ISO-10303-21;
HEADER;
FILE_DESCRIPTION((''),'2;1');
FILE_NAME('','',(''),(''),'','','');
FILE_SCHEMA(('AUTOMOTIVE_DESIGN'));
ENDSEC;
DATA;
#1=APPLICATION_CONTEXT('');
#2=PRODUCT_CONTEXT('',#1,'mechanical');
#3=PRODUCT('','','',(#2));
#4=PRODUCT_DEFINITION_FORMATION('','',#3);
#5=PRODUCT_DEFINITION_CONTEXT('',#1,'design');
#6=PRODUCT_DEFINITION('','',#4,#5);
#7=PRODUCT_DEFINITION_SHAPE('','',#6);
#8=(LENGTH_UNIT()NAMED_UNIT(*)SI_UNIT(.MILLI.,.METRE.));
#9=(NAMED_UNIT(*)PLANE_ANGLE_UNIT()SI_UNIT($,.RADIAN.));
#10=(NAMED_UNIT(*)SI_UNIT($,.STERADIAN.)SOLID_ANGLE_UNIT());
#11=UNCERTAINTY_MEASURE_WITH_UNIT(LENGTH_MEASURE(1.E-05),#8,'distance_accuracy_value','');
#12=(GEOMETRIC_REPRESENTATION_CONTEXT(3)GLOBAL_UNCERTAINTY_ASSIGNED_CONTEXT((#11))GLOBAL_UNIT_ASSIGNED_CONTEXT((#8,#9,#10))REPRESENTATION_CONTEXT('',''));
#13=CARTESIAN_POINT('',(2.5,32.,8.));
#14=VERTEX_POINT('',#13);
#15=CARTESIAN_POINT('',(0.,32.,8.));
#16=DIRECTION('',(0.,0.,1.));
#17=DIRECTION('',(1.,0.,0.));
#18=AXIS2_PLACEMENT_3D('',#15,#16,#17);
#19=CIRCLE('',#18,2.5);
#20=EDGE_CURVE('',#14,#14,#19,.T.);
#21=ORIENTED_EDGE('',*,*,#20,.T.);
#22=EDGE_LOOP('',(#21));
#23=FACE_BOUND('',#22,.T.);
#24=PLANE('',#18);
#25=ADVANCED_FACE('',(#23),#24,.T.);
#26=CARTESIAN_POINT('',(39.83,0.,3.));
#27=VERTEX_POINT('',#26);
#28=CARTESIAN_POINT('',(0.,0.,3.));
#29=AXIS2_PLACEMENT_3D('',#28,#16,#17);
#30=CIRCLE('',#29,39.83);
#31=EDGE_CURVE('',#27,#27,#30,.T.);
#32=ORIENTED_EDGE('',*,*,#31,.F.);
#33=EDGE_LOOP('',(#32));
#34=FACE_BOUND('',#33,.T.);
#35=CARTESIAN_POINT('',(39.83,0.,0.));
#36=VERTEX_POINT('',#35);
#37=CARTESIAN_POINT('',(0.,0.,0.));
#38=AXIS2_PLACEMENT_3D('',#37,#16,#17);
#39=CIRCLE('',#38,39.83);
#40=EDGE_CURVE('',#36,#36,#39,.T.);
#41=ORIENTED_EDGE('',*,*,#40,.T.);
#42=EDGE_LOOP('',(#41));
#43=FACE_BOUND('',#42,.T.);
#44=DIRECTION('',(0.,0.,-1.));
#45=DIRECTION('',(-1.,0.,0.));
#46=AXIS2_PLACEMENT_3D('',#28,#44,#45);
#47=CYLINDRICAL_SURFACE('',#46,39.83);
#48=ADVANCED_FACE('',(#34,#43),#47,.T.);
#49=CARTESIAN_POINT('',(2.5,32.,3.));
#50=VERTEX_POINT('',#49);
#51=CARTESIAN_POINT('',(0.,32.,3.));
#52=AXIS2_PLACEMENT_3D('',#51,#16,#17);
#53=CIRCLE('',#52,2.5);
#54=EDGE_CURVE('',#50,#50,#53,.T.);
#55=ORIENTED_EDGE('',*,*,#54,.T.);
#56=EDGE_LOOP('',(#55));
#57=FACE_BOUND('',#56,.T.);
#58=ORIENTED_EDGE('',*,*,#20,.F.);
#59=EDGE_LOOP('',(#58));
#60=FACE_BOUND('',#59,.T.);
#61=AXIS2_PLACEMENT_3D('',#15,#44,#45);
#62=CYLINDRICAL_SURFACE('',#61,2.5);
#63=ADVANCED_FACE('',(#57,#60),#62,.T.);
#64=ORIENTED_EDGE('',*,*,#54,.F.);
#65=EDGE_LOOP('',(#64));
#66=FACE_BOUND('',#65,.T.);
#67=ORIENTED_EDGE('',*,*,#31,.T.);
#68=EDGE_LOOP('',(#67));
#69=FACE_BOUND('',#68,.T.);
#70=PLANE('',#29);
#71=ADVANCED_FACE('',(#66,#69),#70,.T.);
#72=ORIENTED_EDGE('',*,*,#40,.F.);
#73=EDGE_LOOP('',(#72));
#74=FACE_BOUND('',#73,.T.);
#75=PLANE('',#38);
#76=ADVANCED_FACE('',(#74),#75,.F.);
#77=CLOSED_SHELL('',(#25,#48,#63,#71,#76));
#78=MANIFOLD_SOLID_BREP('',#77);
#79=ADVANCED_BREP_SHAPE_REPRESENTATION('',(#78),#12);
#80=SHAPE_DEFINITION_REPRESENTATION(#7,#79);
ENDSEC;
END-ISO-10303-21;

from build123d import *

# Parameters (mm, degrees)
SKETCH_1_R      = 39.83
EXTRUDE_1_DEPTH = 3
SKETCH_2_R      = 2.5
EXTRUDE_2_DEPTH = 5


with BuildPart() as part:
    # 草图1 → 凸台-拉伸1 (new body)
    with BuildSketch(Plane.XY):
        Circle(SKETCH_1_R)
    extrude(amount=EXTRUDE_1_DEPTH)

    # 草图2 → 凸台-拉伸2 (add)
    with BuildSketch(Plane.XY.offset(3)):
        with Locations((0, 32)):
            Circle(SKETCH_2_R)
    extrude(amount=EXTRUDE_2_DEPTH)


solid = part.part
